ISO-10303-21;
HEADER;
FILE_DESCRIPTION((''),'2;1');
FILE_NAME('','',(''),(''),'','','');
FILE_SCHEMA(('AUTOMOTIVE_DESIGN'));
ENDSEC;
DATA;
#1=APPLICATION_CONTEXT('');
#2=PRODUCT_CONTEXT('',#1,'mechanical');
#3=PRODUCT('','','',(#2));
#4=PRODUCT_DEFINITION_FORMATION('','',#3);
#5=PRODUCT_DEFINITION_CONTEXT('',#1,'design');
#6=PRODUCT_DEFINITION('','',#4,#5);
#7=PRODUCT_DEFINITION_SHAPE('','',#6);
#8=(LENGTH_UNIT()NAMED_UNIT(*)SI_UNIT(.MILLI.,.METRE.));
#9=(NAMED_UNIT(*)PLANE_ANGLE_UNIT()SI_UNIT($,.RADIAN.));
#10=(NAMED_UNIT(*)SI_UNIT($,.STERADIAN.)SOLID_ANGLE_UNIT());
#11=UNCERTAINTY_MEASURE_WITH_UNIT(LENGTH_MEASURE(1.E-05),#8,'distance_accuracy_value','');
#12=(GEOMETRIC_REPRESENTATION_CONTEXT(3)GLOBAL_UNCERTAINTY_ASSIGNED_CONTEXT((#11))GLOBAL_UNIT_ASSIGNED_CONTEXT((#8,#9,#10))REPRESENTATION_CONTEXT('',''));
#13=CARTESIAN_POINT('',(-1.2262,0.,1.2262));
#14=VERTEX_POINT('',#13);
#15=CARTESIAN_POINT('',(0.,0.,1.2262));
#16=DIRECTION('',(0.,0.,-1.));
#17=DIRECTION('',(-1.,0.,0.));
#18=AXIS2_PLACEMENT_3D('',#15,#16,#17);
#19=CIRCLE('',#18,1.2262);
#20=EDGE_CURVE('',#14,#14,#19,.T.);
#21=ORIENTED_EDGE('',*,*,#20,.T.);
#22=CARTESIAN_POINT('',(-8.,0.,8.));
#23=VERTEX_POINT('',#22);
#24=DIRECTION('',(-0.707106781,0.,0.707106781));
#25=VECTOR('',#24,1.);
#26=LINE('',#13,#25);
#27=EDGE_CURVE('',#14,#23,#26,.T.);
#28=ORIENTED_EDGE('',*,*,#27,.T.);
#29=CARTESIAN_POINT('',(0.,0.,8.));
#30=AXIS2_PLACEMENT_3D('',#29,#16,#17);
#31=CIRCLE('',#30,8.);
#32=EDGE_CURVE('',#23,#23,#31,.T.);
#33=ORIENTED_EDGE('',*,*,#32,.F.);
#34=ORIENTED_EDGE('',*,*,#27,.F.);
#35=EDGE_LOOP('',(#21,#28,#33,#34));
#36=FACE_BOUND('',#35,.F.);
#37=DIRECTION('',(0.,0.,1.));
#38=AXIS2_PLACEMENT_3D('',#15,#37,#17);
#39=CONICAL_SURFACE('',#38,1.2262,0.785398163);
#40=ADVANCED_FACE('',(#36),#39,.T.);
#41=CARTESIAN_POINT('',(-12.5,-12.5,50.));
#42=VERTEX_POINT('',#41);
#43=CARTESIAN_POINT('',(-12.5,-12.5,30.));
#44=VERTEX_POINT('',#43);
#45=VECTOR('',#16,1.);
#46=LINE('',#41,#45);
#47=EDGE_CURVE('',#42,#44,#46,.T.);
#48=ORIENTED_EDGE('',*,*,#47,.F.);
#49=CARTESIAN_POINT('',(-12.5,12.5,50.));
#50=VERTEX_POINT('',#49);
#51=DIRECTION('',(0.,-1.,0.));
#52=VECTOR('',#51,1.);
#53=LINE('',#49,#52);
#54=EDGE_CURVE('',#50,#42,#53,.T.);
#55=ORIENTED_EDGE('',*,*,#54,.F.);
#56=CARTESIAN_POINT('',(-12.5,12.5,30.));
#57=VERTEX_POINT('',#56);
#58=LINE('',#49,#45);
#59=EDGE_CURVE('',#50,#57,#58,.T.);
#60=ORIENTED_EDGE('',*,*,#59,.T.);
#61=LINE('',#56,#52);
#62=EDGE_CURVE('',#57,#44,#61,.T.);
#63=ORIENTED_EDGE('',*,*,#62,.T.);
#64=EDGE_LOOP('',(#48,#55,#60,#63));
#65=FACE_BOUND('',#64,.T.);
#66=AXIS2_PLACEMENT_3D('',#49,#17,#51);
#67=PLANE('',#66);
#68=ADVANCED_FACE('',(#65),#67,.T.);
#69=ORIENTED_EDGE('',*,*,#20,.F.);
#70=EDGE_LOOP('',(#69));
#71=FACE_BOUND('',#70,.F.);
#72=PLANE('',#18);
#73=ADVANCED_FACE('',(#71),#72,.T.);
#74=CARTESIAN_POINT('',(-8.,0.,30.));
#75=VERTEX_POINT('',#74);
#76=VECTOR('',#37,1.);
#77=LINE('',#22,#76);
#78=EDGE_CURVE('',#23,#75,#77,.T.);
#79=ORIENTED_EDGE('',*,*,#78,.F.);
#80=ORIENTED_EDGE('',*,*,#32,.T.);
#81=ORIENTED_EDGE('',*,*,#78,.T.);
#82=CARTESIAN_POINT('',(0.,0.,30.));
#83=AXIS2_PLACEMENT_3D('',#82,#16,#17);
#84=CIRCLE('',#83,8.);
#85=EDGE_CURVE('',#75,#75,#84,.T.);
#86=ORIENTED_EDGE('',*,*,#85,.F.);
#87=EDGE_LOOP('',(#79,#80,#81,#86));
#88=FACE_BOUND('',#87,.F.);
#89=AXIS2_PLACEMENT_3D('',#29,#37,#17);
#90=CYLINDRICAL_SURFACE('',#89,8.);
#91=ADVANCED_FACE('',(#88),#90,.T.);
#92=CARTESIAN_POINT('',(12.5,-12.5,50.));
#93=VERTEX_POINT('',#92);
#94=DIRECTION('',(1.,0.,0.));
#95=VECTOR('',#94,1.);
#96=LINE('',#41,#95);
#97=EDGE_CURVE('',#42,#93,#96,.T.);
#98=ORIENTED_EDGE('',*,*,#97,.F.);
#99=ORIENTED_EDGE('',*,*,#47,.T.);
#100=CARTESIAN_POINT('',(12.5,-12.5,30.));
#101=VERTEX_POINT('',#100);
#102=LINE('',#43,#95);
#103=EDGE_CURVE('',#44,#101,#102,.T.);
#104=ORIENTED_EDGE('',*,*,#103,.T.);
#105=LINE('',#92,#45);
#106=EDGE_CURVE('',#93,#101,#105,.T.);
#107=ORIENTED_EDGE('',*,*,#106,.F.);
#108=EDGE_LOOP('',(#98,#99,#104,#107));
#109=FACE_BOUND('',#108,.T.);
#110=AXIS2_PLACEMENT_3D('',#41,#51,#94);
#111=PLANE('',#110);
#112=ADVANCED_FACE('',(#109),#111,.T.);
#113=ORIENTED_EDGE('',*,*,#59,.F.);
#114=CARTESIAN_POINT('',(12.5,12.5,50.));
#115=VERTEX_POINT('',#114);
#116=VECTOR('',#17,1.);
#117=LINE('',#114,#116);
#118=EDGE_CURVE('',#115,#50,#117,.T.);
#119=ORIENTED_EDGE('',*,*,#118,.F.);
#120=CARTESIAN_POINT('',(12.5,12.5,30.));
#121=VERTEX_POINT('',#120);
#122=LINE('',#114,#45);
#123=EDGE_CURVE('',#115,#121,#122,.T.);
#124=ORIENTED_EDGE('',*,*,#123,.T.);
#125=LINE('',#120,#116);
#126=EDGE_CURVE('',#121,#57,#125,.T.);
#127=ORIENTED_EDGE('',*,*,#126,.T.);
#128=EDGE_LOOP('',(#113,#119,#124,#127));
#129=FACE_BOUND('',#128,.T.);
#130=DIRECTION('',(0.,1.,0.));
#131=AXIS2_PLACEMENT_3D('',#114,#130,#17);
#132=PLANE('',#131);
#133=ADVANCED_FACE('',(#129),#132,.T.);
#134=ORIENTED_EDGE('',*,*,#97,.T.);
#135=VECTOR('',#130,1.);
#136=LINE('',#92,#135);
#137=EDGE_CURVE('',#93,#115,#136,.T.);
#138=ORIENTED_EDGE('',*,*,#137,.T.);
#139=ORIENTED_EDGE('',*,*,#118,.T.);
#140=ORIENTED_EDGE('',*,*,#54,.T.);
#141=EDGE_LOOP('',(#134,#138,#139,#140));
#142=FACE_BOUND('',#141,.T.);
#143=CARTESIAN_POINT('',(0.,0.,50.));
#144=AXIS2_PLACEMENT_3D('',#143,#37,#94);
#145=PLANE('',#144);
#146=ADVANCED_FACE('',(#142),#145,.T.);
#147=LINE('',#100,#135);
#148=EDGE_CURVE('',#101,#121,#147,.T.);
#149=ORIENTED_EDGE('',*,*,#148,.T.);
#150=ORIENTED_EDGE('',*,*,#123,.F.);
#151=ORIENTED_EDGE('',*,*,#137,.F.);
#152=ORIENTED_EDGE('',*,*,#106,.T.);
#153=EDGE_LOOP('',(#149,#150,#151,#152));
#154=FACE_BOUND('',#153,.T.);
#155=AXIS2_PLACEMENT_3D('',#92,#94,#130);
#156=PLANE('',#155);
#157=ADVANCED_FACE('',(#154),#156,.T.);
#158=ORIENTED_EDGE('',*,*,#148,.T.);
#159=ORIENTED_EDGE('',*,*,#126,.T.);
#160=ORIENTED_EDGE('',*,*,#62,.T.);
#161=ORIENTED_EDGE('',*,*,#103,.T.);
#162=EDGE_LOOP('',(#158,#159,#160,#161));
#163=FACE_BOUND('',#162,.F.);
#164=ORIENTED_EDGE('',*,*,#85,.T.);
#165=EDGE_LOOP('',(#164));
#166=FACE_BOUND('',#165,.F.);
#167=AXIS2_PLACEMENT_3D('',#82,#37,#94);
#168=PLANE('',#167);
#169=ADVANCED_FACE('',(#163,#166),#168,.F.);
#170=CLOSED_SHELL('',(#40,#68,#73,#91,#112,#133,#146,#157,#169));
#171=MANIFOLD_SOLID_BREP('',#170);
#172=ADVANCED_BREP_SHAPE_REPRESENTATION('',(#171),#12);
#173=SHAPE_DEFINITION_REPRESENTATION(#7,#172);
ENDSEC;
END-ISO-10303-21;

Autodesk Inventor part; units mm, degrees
ref_plane "YZ Plane" through (0, 0, 0) normal (1, 0, 0) x (0, 1, 0)
ref_plane "XZ Plane" through (0, 0, 0) normal (0, 1, 0) x (-1, 0, 0)
ref_plane "XY Plane" through (0, 0, 0) normal (0, 0, 1) x (1, 0, 0)
sketch "Sketch1" plane through (0, 0, 0) normal (0, 1, 0) x (-1, 0, 0)
  line L0 (1.2262, 1.2262) -> (8, 8)
  line L1 (8, 8) -> (8, 50)
  line L2 (8, 50) -> (0, 50)
  line L3 (0, 50) -> (0, 1.2262)
  line L4 (0, 1.2262) -> (1.2262, 1.2262)
  point P0 (0, 0)
  dimension "d0" = 50
  dimension "d1" = 8
  dimension "d2" = 135
revolve "Revolution1" add sketch "Sketch1" angle 360 about axis through (0, 0, 50) along (0, 0, -1)
sketch "Sketch2" plane through (0, 0, 50) normal (0, 0, 1) x (1, 0, 0)
  circle A0 centre (0, 0) radius 8 projected
  line L0 (-12.5, -12.5) -> (12.5, -12.5)
  line L1 (12.5, -12.5) -> (12.5, 12.5)
  line L2 (12.5, 12.5) -> (-12.5, 12.5)
  line L3 (-12.5, 12.5) -> (-12.5, -12.5)
  line L4 (-12.5, -12.5) -> (12.5, 12.5) construction
  line L5 (12.5, -12.5) -> (-12.5, 12.5) construction
  dimension "d4" = 25
  dimension "d6" = 25
extrude "Extrusion1" add sketch "Sketch2" against normal blind 20
properties part number "effector"
